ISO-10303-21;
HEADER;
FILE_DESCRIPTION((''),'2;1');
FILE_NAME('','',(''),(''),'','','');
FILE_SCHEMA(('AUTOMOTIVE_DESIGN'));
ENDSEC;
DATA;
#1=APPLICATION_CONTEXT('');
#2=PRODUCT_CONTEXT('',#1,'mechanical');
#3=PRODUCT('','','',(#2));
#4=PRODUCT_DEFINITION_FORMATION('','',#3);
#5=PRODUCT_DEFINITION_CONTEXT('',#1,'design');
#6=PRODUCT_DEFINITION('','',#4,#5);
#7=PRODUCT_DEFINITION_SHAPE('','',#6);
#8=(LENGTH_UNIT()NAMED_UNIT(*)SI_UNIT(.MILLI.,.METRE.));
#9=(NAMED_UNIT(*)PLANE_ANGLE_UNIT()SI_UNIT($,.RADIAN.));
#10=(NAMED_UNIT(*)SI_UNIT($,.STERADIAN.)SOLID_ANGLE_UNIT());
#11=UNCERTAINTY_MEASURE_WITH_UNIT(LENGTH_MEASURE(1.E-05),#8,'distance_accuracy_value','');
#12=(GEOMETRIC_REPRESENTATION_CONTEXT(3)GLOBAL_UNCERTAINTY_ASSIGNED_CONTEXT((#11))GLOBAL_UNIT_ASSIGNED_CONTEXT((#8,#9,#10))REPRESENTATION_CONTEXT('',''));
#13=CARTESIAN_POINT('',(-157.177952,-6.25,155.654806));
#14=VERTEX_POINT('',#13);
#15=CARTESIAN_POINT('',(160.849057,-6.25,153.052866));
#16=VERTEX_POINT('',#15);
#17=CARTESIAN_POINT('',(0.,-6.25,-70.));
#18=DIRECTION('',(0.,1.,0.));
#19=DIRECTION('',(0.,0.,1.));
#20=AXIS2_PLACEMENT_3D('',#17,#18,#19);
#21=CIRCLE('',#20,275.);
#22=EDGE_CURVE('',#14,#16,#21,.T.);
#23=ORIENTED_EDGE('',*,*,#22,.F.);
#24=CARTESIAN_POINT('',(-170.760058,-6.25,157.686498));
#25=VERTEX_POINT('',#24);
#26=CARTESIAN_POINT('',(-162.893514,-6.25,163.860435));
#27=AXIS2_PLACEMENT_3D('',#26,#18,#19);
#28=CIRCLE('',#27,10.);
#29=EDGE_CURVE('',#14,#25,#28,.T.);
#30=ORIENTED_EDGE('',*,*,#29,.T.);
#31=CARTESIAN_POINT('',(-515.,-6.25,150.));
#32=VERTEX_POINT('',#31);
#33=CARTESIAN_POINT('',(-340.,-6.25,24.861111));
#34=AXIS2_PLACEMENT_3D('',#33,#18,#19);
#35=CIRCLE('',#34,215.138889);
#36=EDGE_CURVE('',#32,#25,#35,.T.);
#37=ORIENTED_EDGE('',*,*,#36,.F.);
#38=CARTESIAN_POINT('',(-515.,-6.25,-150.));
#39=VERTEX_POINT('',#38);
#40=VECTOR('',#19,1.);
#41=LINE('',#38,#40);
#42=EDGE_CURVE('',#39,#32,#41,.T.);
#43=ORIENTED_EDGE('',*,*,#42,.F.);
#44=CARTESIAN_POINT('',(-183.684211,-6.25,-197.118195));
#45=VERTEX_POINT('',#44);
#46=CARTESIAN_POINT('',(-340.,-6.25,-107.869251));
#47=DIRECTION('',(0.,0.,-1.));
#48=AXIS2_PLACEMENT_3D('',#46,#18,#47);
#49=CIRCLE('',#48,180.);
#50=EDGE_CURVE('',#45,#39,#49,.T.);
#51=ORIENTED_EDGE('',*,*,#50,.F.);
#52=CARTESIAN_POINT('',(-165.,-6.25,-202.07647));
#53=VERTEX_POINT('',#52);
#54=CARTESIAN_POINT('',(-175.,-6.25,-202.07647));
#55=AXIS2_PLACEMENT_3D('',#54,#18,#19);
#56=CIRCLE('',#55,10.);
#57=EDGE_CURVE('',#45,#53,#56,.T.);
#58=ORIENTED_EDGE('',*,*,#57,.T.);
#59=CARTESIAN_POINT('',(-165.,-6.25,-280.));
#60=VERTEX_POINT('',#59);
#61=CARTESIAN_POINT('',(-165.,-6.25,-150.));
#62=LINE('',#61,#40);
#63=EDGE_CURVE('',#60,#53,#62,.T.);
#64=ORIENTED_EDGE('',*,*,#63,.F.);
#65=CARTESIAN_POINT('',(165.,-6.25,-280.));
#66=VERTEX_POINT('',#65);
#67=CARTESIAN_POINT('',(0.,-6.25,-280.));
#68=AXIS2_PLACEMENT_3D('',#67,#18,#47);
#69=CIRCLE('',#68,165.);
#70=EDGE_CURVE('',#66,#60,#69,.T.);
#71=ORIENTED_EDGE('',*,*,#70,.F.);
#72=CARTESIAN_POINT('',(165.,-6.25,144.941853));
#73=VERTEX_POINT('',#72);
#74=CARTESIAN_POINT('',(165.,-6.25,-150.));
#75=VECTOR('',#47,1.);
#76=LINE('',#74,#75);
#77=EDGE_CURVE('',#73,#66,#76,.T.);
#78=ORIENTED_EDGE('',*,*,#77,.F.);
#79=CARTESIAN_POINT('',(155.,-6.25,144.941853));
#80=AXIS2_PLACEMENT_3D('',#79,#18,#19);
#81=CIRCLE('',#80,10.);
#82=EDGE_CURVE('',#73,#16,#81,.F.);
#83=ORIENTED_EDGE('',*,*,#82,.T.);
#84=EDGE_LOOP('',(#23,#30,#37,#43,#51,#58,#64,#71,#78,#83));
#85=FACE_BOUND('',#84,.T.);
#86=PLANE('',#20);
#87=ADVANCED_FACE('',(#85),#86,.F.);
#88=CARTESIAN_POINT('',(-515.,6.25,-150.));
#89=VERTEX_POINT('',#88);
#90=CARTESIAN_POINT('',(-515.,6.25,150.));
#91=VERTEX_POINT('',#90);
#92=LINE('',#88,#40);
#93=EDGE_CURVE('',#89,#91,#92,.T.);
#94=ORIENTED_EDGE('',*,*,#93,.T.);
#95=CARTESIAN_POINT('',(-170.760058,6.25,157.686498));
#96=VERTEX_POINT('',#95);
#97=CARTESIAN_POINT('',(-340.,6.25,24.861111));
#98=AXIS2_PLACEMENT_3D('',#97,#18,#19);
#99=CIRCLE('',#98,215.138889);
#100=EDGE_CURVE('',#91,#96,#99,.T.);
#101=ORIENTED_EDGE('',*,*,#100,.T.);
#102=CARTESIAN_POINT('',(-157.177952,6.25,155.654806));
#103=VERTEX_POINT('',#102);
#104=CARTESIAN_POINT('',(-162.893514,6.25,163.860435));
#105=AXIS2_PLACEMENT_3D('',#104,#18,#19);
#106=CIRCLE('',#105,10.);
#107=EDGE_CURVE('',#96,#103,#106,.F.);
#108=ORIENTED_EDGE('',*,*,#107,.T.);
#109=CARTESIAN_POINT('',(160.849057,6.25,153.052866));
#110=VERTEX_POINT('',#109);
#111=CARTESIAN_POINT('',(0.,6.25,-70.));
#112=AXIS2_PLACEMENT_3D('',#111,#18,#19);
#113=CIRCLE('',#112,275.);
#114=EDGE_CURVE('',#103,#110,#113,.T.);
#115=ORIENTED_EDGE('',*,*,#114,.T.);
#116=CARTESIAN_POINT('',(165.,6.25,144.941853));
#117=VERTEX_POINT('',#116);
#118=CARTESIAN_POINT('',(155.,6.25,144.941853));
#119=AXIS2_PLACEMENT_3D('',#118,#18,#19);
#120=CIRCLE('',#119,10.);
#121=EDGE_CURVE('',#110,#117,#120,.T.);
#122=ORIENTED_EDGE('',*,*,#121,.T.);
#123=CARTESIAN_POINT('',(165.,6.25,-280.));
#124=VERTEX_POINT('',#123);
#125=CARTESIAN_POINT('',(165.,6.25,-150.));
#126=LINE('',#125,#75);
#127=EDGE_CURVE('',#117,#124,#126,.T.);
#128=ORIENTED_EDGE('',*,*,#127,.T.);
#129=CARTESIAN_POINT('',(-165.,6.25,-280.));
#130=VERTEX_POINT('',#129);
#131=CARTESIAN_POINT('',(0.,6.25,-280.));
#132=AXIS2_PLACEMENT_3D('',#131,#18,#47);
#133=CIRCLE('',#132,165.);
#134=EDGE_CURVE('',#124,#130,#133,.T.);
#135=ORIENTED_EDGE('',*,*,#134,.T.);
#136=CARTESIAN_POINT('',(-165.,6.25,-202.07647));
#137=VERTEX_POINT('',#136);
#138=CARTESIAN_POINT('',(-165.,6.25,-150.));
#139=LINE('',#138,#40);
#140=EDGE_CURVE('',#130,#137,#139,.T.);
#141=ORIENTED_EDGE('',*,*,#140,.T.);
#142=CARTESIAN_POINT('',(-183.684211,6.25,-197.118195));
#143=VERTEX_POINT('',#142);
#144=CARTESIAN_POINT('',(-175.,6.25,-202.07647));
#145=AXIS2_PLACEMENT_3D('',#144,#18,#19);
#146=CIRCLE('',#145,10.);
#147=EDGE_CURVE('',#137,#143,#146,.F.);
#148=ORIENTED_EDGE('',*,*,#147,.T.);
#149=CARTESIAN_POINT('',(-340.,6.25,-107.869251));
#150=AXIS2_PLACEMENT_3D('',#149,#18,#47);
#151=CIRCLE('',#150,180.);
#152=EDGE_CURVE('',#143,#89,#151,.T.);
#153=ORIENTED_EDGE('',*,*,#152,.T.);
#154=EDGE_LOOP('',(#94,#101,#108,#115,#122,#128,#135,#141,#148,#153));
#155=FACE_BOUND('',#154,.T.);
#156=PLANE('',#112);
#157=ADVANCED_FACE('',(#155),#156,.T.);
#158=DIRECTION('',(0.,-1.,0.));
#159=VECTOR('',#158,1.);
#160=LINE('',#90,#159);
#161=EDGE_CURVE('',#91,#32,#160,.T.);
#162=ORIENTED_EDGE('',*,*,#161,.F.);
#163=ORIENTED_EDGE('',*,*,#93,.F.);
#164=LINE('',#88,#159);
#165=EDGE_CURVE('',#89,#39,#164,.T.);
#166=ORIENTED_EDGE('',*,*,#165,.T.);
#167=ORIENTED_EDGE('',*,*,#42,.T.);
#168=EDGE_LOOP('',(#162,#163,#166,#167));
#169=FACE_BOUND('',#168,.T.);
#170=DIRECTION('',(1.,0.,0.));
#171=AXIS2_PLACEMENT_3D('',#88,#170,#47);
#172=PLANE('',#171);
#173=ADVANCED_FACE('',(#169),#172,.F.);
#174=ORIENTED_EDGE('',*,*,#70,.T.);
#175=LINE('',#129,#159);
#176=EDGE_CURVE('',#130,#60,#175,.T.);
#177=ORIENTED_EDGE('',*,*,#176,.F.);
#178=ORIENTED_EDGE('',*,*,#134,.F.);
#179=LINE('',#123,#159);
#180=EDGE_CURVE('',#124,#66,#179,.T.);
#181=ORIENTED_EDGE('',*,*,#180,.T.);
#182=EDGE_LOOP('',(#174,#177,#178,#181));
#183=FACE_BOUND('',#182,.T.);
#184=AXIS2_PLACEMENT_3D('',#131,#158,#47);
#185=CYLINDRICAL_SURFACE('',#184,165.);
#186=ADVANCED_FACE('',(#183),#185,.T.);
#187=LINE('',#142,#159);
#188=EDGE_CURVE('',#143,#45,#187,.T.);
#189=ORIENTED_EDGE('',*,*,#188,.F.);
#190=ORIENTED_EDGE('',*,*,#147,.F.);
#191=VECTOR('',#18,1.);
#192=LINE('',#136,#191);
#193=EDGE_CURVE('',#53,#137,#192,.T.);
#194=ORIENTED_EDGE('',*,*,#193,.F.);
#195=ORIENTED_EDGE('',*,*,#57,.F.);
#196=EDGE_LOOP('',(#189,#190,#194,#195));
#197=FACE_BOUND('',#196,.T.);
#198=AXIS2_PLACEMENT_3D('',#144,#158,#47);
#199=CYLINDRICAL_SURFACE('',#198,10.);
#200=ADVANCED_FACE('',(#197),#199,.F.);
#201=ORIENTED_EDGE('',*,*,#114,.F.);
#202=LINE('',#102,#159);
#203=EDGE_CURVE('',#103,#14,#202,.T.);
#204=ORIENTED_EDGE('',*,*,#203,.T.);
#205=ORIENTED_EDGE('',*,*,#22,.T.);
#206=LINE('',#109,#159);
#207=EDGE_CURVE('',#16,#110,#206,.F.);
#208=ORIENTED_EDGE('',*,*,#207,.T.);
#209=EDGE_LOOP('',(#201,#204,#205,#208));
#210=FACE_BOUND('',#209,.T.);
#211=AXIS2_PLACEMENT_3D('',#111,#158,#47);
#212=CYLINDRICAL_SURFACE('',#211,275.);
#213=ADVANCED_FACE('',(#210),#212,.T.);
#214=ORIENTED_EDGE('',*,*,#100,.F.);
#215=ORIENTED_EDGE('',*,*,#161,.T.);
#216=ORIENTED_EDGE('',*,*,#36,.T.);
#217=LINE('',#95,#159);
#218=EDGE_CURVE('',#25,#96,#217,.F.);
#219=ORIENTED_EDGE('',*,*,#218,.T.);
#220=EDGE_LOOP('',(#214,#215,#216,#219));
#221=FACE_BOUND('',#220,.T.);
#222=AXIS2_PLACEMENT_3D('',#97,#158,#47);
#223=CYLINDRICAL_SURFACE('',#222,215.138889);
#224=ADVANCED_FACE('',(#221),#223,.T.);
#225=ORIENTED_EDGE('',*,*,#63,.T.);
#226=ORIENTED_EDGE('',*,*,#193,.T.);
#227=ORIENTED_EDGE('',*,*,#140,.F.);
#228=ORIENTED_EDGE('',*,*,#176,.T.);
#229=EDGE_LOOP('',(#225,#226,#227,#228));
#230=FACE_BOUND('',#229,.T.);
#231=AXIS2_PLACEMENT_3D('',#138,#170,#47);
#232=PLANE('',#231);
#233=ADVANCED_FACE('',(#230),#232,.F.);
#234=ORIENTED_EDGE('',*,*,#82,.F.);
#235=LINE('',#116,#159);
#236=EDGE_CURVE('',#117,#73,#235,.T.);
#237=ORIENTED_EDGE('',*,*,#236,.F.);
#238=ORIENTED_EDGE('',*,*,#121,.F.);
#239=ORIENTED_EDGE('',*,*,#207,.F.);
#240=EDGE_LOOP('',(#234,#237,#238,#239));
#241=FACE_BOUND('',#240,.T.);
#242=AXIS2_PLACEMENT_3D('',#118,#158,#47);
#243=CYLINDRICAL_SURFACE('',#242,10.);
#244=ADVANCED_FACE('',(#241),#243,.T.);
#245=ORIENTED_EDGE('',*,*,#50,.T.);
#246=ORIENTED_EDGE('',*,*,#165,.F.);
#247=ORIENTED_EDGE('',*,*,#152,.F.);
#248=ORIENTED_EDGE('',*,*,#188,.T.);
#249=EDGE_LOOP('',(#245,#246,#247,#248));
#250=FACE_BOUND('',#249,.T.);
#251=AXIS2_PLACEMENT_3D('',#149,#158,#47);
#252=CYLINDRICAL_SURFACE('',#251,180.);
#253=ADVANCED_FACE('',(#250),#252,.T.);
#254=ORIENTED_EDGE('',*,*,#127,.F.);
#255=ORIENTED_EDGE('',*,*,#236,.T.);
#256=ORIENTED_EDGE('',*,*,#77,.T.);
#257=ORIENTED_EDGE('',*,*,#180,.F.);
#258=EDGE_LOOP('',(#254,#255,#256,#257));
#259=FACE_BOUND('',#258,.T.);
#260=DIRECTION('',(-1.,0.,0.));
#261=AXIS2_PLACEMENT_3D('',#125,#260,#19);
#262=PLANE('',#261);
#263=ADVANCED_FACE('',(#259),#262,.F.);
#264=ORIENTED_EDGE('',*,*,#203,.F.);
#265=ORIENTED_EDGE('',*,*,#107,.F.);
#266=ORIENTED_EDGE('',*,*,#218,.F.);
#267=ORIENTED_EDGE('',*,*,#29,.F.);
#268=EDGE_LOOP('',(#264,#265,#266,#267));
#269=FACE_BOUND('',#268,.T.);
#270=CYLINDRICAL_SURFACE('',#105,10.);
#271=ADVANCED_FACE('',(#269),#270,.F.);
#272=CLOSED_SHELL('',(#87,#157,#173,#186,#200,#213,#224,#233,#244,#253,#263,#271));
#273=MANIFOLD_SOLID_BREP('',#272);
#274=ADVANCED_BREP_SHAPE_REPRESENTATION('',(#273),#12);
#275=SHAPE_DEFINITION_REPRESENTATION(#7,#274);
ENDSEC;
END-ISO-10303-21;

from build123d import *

# Parameters (mm, degrees)
BOSS_EXTRUDE1_DEPTH = 6.25
FILLET1_R           = 10


with BuildPart() as part:
    # Sketch2 → Boss-Extrude1 (new body, symmetric)
    with BuildSketch(Plane(origin=(0, 0, 0), x_dir=(1, 0, 0), z_dir=(0, 1, 0))):
        with BuildLine():
            Line((-515, 150), (-515, -150))
            ThreePointArc((-515, -150), (-340, -240), (-165, -150))
            ThreePointArc((-165, -150), (0, -205), (165, -150))
            Line((165, -150), (165, 150))
            Line((165, 150), (165, 280))
            ThreePointArc((165, 280), (0, 445), (-165, 280))
            Line((-165, 280), (-165, 150))
            ThreePointArc((-165, 150), (-340, 287.869251134), (-515, 150))
        make_face()
    extrude(amount=BOSS_EXTRUDE1_DEPTH, both=True)

    # Fillet1
    fillet1_edges = [part.edges().sort_by_distance(p)[0] for p in [
        (-165, 0, 150),
        (-165, 0, -150),
        (165, 0, 150),
    ]]
    fillet(fillet1_edges, radius=FILLET1_R)


solid = part.part
